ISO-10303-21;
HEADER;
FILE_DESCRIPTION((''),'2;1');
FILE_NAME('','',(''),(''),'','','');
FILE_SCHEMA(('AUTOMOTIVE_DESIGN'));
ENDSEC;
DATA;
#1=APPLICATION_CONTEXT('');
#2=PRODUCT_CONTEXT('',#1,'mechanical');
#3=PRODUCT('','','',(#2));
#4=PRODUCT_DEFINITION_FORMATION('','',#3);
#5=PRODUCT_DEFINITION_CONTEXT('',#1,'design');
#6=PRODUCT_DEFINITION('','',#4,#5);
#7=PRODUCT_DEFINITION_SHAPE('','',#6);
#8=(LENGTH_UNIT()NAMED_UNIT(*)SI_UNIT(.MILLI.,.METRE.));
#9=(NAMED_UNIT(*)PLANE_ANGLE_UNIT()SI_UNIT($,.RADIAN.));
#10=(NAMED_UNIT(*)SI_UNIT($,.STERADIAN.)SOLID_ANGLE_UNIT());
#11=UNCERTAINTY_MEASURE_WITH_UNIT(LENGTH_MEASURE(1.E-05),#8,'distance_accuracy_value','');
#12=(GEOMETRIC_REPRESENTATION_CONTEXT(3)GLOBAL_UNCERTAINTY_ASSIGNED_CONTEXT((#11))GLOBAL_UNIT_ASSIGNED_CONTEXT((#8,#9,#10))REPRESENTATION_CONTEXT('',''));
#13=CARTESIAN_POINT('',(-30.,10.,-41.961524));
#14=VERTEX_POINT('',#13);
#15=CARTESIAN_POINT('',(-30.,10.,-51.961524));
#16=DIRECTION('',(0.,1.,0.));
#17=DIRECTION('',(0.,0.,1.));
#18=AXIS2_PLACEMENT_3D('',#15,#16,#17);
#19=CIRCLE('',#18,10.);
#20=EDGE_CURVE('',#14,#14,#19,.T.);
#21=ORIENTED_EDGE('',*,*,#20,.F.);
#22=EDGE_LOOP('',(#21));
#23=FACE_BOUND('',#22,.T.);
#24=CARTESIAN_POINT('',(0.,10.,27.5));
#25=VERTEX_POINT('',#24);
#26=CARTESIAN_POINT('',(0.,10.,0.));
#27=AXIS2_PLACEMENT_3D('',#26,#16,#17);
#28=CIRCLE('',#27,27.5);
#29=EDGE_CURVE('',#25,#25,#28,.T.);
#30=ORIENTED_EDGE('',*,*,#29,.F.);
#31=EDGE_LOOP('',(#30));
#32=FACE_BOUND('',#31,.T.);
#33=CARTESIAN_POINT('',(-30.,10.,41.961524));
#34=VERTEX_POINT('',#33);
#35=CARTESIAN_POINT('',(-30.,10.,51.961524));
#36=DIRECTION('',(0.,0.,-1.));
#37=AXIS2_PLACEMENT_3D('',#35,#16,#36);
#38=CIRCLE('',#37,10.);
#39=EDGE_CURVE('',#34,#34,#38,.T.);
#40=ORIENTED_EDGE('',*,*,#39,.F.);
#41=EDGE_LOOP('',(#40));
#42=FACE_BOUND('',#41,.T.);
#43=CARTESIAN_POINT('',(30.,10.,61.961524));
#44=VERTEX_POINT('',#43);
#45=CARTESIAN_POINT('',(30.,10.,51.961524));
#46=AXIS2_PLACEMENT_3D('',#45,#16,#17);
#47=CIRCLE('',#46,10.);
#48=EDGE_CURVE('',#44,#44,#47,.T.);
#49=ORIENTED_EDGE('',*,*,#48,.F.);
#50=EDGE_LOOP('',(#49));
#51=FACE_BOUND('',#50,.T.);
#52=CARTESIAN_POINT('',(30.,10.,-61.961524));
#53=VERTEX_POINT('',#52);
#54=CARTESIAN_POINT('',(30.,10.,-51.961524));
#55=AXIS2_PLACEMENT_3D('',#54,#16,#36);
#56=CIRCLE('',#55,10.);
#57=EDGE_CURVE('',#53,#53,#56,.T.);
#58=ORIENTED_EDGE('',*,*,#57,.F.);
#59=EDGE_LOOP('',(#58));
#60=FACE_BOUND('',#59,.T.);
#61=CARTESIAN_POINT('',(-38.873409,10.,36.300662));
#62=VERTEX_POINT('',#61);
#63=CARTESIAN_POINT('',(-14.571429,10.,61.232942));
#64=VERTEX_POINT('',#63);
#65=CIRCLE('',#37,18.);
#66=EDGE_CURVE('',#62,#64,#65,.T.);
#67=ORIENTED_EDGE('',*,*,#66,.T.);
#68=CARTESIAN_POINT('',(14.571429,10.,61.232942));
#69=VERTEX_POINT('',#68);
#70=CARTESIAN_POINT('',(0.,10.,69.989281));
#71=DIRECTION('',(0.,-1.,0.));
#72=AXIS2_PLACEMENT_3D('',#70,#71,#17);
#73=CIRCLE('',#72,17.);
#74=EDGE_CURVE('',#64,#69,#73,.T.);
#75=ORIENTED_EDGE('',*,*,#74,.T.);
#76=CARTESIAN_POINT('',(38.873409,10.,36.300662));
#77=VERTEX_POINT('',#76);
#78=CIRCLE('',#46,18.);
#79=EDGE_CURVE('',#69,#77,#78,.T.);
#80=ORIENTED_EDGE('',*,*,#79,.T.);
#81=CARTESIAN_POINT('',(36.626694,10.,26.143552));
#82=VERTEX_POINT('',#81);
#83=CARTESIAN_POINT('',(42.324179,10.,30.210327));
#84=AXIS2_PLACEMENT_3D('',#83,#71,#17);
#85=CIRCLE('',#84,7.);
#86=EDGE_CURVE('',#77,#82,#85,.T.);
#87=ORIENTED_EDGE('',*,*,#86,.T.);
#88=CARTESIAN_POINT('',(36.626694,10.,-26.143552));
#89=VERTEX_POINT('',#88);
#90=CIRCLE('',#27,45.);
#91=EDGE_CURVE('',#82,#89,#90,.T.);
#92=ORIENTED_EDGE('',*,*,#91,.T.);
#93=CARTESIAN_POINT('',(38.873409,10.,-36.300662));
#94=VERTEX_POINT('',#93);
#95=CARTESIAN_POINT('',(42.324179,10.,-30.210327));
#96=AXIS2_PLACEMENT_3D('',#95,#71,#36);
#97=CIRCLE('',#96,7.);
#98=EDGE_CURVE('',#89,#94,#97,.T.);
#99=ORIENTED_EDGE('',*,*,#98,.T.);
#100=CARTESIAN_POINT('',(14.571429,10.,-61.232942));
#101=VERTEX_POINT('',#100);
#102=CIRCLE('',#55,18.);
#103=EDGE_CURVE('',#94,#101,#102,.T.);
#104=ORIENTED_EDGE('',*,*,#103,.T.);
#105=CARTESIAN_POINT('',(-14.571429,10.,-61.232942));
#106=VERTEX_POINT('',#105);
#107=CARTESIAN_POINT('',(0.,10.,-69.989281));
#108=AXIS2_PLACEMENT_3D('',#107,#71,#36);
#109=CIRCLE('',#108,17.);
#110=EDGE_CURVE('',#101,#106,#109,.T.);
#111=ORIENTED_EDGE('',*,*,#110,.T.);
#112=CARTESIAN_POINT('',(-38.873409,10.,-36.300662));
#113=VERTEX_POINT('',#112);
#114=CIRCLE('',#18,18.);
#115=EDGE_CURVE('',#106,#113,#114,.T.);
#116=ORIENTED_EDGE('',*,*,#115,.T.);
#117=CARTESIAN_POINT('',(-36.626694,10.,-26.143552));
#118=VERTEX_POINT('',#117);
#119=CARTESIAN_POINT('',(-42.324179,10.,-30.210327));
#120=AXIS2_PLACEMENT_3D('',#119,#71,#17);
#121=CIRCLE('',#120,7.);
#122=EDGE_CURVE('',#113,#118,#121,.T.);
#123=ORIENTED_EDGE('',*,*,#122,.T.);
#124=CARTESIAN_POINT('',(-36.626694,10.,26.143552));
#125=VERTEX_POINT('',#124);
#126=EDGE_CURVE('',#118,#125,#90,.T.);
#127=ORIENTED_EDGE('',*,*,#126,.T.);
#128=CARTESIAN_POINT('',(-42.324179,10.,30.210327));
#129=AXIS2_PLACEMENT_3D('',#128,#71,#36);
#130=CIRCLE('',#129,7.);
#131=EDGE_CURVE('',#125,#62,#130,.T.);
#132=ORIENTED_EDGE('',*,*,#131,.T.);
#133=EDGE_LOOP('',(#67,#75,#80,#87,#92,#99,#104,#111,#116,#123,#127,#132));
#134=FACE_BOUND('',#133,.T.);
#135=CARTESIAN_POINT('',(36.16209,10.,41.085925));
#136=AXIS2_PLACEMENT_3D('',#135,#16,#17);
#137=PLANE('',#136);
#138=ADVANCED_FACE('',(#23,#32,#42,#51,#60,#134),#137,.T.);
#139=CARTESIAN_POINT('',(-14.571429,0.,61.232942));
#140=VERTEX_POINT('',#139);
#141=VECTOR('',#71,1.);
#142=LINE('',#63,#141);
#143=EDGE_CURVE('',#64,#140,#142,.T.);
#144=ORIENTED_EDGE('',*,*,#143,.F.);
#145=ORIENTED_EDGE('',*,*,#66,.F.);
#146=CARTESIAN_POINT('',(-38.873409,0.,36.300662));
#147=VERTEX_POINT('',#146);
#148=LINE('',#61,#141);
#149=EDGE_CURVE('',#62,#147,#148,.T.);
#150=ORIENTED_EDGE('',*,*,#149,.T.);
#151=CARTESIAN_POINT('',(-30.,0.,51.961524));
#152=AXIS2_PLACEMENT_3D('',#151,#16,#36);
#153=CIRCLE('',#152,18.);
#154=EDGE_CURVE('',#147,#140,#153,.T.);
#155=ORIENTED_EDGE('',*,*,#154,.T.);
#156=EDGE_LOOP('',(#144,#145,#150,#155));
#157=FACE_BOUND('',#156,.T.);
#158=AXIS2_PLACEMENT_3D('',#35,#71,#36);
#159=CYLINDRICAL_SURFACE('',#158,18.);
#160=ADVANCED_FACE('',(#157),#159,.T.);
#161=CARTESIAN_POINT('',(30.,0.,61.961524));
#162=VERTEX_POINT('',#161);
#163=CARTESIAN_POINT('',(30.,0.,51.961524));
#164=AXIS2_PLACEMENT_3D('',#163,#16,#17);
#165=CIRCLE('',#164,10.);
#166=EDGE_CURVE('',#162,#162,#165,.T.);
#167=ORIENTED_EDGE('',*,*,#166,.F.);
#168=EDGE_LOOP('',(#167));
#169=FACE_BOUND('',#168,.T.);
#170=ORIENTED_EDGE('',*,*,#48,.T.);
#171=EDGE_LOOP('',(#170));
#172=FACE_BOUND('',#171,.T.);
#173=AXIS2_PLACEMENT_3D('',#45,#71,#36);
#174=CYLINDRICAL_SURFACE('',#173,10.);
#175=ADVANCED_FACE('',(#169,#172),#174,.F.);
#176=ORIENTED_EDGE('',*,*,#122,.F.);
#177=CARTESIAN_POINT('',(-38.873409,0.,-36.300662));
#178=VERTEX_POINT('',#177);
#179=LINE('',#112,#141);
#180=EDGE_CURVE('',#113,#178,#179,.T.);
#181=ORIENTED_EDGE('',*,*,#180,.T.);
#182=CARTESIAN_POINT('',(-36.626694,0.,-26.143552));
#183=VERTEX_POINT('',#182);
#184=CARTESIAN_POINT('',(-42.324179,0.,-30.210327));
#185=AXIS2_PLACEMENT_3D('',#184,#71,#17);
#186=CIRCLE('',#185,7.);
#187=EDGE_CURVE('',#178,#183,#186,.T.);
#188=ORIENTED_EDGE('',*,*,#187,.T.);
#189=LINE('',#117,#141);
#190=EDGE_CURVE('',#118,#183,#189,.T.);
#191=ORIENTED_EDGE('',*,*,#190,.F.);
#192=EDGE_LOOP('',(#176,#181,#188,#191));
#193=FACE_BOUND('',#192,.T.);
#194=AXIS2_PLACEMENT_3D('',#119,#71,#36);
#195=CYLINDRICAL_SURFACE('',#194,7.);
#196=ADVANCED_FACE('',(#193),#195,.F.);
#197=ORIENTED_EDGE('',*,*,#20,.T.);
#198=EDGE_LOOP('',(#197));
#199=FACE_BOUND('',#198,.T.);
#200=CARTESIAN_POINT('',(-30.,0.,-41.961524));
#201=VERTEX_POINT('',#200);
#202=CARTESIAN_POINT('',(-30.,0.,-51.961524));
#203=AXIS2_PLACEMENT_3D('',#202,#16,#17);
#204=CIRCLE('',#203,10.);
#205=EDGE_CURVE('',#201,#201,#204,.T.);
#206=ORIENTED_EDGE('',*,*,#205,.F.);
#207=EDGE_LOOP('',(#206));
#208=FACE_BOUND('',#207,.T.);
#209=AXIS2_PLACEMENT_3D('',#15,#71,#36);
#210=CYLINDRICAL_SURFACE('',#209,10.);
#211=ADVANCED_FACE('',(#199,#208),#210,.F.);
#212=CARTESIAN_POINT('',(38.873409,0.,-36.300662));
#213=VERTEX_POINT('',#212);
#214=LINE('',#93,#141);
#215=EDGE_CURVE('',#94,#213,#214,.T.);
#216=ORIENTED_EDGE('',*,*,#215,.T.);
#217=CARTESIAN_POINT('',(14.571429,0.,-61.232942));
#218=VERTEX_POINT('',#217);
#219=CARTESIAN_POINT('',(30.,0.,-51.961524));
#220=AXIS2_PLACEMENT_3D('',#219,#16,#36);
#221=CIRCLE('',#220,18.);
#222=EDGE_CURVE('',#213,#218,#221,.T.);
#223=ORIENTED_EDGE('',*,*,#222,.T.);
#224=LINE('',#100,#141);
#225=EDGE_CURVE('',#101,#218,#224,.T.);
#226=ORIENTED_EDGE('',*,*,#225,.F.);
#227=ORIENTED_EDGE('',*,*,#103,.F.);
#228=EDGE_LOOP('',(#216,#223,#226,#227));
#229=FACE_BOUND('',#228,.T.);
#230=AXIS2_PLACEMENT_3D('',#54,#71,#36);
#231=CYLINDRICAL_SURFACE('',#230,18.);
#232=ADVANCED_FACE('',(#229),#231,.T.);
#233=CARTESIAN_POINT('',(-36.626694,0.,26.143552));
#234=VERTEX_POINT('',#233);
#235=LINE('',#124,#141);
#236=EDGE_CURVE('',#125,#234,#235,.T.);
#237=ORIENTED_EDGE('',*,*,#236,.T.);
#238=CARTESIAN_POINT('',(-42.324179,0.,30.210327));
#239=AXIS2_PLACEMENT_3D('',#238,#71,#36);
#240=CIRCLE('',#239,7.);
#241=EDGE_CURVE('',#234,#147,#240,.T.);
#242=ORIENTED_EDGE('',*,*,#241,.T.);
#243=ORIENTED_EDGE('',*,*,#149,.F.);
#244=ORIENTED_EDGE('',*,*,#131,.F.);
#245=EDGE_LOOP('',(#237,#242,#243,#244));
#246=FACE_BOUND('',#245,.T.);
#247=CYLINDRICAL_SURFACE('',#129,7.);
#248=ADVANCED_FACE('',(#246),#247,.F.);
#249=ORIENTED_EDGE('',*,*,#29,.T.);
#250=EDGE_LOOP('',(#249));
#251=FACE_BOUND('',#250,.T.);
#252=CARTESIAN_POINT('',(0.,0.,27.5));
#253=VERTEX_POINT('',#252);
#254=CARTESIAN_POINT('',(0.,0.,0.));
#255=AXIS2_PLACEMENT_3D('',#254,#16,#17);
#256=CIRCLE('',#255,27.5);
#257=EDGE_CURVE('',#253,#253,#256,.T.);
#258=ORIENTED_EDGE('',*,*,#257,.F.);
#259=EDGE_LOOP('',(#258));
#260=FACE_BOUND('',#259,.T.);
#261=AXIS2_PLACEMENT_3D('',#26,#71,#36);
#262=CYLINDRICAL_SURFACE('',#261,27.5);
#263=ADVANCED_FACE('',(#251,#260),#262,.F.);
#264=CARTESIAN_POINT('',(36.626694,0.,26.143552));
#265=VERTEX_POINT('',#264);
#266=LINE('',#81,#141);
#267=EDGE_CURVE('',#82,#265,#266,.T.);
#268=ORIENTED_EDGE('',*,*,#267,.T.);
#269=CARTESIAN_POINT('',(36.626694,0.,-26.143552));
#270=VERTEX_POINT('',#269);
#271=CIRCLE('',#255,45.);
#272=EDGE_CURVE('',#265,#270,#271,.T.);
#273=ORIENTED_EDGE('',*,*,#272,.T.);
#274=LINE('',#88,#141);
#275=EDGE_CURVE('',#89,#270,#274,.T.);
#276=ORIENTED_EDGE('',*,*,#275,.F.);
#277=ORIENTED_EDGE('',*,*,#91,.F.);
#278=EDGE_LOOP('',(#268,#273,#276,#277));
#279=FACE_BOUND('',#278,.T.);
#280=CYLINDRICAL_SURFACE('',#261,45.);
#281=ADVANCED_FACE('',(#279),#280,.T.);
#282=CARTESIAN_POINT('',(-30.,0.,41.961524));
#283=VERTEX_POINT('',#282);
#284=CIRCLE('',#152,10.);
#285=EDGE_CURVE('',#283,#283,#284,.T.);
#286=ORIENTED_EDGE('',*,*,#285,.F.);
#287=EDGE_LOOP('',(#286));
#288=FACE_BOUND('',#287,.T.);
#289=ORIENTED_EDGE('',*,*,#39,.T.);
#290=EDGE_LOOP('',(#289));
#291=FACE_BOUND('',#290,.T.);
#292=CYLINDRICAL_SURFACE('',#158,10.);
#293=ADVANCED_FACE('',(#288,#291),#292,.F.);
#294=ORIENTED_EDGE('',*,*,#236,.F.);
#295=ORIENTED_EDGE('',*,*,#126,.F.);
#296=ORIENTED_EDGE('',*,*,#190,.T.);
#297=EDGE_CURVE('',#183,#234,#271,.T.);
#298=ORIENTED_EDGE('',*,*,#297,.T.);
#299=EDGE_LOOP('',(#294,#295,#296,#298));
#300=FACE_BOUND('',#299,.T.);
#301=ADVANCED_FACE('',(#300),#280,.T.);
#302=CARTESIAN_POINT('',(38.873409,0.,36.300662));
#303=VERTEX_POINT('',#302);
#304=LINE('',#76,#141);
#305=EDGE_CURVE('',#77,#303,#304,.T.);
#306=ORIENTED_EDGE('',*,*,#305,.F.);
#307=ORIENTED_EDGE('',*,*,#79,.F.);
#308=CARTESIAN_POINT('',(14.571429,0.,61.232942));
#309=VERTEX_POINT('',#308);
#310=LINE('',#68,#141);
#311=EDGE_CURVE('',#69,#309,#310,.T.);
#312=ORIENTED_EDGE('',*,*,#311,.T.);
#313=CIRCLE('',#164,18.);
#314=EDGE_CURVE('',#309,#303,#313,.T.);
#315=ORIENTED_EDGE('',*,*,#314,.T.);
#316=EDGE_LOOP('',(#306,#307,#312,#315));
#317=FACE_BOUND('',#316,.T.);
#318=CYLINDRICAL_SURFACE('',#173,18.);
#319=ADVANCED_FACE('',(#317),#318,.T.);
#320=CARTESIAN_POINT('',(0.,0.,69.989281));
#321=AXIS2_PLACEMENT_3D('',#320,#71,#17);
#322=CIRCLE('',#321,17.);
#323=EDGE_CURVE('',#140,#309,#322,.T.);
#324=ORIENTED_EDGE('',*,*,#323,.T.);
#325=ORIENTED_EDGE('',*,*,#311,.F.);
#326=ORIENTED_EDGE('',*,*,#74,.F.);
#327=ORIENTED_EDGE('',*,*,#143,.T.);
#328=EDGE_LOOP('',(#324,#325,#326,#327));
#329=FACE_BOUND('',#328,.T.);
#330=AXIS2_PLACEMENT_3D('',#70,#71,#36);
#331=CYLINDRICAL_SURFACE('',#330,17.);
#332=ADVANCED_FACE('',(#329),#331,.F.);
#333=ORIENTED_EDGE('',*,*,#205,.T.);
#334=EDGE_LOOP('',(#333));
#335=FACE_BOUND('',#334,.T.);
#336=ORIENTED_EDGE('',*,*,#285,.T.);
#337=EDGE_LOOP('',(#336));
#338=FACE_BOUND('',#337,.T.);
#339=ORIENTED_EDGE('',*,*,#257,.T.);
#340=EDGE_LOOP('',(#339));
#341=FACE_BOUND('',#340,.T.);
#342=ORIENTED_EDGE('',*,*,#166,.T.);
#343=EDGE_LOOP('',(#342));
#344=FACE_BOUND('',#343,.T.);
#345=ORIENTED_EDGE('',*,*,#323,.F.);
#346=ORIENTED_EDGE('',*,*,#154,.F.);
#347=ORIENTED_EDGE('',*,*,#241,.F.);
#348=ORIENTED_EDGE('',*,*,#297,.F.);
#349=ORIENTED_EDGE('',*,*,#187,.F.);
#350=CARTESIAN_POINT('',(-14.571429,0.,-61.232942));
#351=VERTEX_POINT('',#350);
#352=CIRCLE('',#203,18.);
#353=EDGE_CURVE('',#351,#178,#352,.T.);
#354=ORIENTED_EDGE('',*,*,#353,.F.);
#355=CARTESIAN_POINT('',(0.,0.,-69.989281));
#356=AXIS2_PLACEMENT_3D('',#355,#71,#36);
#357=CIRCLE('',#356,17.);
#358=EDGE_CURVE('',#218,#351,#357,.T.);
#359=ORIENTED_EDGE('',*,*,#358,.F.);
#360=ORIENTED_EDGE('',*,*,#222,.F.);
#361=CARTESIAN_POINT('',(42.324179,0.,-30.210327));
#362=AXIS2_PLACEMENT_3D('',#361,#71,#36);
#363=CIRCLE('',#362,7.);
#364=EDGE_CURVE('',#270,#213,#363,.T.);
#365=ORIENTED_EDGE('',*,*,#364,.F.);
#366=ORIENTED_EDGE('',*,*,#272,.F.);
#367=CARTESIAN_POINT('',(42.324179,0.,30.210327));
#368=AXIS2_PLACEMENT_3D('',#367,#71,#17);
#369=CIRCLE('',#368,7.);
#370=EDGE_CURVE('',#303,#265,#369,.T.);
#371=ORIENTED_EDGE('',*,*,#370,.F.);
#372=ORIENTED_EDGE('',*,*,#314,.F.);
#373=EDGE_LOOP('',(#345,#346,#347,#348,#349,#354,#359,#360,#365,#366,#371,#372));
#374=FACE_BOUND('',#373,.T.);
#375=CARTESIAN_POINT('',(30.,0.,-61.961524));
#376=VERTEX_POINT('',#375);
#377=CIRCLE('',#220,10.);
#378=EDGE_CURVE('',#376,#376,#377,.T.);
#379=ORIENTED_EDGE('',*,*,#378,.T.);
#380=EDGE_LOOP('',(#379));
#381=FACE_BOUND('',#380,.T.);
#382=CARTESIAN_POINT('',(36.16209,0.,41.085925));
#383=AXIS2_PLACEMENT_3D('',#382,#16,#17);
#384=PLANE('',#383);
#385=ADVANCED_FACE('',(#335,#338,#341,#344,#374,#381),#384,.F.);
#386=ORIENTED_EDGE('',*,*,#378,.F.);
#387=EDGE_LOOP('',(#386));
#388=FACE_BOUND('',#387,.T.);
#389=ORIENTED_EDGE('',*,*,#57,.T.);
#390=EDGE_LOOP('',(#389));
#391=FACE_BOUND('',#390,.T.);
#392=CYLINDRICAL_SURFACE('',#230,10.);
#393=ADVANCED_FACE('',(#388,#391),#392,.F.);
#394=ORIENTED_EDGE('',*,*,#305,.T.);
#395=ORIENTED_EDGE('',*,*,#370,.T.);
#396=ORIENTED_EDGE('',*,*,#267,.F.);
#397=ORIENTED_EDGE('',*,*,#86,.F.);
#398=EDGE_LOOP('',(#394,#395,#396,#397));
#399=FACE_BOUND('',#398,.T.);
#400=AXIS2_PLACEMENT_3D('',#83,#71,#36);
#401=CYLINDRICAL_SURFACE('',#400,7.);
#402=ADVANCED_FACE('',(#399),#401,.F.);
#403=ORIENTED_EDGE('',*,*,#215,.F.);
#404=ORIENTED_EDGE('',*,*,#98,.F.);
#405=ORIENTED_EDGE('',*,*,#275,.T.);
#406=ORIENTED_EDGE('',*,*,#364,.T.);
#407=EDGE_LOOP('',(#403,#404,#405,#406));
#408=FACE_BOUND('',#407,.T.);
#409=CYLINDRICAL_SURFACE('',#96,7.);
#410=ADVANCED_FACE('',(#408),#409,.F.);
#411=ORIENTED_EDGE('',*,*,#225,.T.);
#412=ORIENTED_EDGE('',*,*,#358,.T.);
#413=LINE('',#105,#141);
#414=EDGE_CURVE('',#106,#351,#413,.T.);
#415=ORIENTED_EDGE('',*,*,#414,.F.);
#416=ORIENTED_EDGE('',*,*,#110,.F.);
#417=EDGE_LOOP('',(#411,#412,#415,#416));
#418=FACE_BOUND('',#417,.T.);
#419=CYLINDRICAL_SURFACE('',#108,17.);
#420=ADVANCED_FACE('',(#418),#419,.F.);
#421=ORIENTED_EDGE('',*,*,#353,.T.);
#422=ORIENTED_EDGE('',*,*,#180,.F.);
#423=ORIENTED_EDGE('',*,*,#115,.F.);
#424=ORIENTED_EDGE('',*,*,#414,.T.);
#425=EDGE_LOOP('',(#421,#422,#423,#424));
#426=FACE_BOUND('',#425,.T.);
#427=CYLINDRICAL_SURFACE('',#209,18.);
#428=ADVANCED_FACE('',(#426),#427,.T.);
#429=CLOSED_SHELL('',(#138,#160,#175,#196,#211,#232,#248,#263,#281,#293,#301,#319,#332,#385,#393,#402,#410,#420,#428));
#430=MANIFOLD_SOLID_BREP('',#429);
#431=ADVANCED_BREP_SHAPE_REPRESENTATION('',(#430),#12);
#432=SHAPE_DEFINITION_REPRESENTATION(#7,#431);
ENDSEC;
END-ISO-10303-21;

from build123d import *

# Parameters (mm, degrees)
SKETCH_1_R      = 27.5
SKETCH_1_R_2    = 10
EXTRUDE_1_DEPTH = 10


with BuildPart() as part:
    # Эскиз1 → Бобышка-Вытянуть1 (new body)
    with BuildSketch(Plane(origin=(0, 0, 0), x_dir=(1, 0, 0), z_dir=(0, 1, 0))):
        with BuildLine():
            ThreePointArc((36.626693786, -26.14355183), (45, 0), (36.626693786, 26.14355183))
            ThreePointArc((36.626693786, 26.14355183), (35.489388485, 31.722157226), (38.87340923, 36.300661906))
            ThreePointArc((38.87340923, 36.300661906), (42.889809267, 64.52547333), (14.571428571, 61.232941793))
            ThreePointArc((14.571428571, 61.232941793), (0, 52.989280604), (-14.571428571, 61.232941793))
            ThreePointArc((-14.571428571, 61.232941793), (-42.889809267, 64.52547333), (-38.87340923, 36.300661906))
            ThreePointArc((-38.87340923, 36.300661906), (-35.489388485, 31.722157226), (-36.626693786, 26.14355183))
            ThreePointArc((-36.626693786, 26.14355183), (-45, 0), (-36.626693786, -26.14355183))
            ThreePointArc((-36.626693786, -26.14355183), (-35.489388485, -31.722157226), (-38.87340923, -36.300661906))
            ThreePointArc((-38.87340923, -36.300661906), (-42.889809267, -64.52547333), (-14.571428571, -61.232941793))
            ThreePointArc((-14.571428571, -61.232941793), (0, -52.989280604), (14.571428571, -61.232941793))
            ThreePointArc((14.571428571, -61.232941793), (42.889809267, -64.52547333), (38.87340923, -36.300661906))
            ThreePointArc((38.87340923, -36.300661906), (35.489388485, -31.722157226), (36.626693786, -26.14355183))
        make_face()
        Circle(SKETCH_1_R, mode=Mode.SUBTRACT)
        with Locations((30, -51.961524227)):
            Circle(SKETCH_1_R_2, mode=Mode.SUBTRACT)
        with Locations((-30, -51.961524227)):
            Circle(SKETCH_1_R_2, mode=Mode.SUBTRACT)
        with Locations((-30, 51.961524227)):
            Circle(SKETCH_1_R_2, mode=Mode.SUBTRACT)
        with Locations((30, 51.961524227)):
            Circle(SKETCH_1_R_2, mode=Mode.SUBTRACT)
    extrude(amount=EXTRUDE_1_DEPTH)


solid = part.part
